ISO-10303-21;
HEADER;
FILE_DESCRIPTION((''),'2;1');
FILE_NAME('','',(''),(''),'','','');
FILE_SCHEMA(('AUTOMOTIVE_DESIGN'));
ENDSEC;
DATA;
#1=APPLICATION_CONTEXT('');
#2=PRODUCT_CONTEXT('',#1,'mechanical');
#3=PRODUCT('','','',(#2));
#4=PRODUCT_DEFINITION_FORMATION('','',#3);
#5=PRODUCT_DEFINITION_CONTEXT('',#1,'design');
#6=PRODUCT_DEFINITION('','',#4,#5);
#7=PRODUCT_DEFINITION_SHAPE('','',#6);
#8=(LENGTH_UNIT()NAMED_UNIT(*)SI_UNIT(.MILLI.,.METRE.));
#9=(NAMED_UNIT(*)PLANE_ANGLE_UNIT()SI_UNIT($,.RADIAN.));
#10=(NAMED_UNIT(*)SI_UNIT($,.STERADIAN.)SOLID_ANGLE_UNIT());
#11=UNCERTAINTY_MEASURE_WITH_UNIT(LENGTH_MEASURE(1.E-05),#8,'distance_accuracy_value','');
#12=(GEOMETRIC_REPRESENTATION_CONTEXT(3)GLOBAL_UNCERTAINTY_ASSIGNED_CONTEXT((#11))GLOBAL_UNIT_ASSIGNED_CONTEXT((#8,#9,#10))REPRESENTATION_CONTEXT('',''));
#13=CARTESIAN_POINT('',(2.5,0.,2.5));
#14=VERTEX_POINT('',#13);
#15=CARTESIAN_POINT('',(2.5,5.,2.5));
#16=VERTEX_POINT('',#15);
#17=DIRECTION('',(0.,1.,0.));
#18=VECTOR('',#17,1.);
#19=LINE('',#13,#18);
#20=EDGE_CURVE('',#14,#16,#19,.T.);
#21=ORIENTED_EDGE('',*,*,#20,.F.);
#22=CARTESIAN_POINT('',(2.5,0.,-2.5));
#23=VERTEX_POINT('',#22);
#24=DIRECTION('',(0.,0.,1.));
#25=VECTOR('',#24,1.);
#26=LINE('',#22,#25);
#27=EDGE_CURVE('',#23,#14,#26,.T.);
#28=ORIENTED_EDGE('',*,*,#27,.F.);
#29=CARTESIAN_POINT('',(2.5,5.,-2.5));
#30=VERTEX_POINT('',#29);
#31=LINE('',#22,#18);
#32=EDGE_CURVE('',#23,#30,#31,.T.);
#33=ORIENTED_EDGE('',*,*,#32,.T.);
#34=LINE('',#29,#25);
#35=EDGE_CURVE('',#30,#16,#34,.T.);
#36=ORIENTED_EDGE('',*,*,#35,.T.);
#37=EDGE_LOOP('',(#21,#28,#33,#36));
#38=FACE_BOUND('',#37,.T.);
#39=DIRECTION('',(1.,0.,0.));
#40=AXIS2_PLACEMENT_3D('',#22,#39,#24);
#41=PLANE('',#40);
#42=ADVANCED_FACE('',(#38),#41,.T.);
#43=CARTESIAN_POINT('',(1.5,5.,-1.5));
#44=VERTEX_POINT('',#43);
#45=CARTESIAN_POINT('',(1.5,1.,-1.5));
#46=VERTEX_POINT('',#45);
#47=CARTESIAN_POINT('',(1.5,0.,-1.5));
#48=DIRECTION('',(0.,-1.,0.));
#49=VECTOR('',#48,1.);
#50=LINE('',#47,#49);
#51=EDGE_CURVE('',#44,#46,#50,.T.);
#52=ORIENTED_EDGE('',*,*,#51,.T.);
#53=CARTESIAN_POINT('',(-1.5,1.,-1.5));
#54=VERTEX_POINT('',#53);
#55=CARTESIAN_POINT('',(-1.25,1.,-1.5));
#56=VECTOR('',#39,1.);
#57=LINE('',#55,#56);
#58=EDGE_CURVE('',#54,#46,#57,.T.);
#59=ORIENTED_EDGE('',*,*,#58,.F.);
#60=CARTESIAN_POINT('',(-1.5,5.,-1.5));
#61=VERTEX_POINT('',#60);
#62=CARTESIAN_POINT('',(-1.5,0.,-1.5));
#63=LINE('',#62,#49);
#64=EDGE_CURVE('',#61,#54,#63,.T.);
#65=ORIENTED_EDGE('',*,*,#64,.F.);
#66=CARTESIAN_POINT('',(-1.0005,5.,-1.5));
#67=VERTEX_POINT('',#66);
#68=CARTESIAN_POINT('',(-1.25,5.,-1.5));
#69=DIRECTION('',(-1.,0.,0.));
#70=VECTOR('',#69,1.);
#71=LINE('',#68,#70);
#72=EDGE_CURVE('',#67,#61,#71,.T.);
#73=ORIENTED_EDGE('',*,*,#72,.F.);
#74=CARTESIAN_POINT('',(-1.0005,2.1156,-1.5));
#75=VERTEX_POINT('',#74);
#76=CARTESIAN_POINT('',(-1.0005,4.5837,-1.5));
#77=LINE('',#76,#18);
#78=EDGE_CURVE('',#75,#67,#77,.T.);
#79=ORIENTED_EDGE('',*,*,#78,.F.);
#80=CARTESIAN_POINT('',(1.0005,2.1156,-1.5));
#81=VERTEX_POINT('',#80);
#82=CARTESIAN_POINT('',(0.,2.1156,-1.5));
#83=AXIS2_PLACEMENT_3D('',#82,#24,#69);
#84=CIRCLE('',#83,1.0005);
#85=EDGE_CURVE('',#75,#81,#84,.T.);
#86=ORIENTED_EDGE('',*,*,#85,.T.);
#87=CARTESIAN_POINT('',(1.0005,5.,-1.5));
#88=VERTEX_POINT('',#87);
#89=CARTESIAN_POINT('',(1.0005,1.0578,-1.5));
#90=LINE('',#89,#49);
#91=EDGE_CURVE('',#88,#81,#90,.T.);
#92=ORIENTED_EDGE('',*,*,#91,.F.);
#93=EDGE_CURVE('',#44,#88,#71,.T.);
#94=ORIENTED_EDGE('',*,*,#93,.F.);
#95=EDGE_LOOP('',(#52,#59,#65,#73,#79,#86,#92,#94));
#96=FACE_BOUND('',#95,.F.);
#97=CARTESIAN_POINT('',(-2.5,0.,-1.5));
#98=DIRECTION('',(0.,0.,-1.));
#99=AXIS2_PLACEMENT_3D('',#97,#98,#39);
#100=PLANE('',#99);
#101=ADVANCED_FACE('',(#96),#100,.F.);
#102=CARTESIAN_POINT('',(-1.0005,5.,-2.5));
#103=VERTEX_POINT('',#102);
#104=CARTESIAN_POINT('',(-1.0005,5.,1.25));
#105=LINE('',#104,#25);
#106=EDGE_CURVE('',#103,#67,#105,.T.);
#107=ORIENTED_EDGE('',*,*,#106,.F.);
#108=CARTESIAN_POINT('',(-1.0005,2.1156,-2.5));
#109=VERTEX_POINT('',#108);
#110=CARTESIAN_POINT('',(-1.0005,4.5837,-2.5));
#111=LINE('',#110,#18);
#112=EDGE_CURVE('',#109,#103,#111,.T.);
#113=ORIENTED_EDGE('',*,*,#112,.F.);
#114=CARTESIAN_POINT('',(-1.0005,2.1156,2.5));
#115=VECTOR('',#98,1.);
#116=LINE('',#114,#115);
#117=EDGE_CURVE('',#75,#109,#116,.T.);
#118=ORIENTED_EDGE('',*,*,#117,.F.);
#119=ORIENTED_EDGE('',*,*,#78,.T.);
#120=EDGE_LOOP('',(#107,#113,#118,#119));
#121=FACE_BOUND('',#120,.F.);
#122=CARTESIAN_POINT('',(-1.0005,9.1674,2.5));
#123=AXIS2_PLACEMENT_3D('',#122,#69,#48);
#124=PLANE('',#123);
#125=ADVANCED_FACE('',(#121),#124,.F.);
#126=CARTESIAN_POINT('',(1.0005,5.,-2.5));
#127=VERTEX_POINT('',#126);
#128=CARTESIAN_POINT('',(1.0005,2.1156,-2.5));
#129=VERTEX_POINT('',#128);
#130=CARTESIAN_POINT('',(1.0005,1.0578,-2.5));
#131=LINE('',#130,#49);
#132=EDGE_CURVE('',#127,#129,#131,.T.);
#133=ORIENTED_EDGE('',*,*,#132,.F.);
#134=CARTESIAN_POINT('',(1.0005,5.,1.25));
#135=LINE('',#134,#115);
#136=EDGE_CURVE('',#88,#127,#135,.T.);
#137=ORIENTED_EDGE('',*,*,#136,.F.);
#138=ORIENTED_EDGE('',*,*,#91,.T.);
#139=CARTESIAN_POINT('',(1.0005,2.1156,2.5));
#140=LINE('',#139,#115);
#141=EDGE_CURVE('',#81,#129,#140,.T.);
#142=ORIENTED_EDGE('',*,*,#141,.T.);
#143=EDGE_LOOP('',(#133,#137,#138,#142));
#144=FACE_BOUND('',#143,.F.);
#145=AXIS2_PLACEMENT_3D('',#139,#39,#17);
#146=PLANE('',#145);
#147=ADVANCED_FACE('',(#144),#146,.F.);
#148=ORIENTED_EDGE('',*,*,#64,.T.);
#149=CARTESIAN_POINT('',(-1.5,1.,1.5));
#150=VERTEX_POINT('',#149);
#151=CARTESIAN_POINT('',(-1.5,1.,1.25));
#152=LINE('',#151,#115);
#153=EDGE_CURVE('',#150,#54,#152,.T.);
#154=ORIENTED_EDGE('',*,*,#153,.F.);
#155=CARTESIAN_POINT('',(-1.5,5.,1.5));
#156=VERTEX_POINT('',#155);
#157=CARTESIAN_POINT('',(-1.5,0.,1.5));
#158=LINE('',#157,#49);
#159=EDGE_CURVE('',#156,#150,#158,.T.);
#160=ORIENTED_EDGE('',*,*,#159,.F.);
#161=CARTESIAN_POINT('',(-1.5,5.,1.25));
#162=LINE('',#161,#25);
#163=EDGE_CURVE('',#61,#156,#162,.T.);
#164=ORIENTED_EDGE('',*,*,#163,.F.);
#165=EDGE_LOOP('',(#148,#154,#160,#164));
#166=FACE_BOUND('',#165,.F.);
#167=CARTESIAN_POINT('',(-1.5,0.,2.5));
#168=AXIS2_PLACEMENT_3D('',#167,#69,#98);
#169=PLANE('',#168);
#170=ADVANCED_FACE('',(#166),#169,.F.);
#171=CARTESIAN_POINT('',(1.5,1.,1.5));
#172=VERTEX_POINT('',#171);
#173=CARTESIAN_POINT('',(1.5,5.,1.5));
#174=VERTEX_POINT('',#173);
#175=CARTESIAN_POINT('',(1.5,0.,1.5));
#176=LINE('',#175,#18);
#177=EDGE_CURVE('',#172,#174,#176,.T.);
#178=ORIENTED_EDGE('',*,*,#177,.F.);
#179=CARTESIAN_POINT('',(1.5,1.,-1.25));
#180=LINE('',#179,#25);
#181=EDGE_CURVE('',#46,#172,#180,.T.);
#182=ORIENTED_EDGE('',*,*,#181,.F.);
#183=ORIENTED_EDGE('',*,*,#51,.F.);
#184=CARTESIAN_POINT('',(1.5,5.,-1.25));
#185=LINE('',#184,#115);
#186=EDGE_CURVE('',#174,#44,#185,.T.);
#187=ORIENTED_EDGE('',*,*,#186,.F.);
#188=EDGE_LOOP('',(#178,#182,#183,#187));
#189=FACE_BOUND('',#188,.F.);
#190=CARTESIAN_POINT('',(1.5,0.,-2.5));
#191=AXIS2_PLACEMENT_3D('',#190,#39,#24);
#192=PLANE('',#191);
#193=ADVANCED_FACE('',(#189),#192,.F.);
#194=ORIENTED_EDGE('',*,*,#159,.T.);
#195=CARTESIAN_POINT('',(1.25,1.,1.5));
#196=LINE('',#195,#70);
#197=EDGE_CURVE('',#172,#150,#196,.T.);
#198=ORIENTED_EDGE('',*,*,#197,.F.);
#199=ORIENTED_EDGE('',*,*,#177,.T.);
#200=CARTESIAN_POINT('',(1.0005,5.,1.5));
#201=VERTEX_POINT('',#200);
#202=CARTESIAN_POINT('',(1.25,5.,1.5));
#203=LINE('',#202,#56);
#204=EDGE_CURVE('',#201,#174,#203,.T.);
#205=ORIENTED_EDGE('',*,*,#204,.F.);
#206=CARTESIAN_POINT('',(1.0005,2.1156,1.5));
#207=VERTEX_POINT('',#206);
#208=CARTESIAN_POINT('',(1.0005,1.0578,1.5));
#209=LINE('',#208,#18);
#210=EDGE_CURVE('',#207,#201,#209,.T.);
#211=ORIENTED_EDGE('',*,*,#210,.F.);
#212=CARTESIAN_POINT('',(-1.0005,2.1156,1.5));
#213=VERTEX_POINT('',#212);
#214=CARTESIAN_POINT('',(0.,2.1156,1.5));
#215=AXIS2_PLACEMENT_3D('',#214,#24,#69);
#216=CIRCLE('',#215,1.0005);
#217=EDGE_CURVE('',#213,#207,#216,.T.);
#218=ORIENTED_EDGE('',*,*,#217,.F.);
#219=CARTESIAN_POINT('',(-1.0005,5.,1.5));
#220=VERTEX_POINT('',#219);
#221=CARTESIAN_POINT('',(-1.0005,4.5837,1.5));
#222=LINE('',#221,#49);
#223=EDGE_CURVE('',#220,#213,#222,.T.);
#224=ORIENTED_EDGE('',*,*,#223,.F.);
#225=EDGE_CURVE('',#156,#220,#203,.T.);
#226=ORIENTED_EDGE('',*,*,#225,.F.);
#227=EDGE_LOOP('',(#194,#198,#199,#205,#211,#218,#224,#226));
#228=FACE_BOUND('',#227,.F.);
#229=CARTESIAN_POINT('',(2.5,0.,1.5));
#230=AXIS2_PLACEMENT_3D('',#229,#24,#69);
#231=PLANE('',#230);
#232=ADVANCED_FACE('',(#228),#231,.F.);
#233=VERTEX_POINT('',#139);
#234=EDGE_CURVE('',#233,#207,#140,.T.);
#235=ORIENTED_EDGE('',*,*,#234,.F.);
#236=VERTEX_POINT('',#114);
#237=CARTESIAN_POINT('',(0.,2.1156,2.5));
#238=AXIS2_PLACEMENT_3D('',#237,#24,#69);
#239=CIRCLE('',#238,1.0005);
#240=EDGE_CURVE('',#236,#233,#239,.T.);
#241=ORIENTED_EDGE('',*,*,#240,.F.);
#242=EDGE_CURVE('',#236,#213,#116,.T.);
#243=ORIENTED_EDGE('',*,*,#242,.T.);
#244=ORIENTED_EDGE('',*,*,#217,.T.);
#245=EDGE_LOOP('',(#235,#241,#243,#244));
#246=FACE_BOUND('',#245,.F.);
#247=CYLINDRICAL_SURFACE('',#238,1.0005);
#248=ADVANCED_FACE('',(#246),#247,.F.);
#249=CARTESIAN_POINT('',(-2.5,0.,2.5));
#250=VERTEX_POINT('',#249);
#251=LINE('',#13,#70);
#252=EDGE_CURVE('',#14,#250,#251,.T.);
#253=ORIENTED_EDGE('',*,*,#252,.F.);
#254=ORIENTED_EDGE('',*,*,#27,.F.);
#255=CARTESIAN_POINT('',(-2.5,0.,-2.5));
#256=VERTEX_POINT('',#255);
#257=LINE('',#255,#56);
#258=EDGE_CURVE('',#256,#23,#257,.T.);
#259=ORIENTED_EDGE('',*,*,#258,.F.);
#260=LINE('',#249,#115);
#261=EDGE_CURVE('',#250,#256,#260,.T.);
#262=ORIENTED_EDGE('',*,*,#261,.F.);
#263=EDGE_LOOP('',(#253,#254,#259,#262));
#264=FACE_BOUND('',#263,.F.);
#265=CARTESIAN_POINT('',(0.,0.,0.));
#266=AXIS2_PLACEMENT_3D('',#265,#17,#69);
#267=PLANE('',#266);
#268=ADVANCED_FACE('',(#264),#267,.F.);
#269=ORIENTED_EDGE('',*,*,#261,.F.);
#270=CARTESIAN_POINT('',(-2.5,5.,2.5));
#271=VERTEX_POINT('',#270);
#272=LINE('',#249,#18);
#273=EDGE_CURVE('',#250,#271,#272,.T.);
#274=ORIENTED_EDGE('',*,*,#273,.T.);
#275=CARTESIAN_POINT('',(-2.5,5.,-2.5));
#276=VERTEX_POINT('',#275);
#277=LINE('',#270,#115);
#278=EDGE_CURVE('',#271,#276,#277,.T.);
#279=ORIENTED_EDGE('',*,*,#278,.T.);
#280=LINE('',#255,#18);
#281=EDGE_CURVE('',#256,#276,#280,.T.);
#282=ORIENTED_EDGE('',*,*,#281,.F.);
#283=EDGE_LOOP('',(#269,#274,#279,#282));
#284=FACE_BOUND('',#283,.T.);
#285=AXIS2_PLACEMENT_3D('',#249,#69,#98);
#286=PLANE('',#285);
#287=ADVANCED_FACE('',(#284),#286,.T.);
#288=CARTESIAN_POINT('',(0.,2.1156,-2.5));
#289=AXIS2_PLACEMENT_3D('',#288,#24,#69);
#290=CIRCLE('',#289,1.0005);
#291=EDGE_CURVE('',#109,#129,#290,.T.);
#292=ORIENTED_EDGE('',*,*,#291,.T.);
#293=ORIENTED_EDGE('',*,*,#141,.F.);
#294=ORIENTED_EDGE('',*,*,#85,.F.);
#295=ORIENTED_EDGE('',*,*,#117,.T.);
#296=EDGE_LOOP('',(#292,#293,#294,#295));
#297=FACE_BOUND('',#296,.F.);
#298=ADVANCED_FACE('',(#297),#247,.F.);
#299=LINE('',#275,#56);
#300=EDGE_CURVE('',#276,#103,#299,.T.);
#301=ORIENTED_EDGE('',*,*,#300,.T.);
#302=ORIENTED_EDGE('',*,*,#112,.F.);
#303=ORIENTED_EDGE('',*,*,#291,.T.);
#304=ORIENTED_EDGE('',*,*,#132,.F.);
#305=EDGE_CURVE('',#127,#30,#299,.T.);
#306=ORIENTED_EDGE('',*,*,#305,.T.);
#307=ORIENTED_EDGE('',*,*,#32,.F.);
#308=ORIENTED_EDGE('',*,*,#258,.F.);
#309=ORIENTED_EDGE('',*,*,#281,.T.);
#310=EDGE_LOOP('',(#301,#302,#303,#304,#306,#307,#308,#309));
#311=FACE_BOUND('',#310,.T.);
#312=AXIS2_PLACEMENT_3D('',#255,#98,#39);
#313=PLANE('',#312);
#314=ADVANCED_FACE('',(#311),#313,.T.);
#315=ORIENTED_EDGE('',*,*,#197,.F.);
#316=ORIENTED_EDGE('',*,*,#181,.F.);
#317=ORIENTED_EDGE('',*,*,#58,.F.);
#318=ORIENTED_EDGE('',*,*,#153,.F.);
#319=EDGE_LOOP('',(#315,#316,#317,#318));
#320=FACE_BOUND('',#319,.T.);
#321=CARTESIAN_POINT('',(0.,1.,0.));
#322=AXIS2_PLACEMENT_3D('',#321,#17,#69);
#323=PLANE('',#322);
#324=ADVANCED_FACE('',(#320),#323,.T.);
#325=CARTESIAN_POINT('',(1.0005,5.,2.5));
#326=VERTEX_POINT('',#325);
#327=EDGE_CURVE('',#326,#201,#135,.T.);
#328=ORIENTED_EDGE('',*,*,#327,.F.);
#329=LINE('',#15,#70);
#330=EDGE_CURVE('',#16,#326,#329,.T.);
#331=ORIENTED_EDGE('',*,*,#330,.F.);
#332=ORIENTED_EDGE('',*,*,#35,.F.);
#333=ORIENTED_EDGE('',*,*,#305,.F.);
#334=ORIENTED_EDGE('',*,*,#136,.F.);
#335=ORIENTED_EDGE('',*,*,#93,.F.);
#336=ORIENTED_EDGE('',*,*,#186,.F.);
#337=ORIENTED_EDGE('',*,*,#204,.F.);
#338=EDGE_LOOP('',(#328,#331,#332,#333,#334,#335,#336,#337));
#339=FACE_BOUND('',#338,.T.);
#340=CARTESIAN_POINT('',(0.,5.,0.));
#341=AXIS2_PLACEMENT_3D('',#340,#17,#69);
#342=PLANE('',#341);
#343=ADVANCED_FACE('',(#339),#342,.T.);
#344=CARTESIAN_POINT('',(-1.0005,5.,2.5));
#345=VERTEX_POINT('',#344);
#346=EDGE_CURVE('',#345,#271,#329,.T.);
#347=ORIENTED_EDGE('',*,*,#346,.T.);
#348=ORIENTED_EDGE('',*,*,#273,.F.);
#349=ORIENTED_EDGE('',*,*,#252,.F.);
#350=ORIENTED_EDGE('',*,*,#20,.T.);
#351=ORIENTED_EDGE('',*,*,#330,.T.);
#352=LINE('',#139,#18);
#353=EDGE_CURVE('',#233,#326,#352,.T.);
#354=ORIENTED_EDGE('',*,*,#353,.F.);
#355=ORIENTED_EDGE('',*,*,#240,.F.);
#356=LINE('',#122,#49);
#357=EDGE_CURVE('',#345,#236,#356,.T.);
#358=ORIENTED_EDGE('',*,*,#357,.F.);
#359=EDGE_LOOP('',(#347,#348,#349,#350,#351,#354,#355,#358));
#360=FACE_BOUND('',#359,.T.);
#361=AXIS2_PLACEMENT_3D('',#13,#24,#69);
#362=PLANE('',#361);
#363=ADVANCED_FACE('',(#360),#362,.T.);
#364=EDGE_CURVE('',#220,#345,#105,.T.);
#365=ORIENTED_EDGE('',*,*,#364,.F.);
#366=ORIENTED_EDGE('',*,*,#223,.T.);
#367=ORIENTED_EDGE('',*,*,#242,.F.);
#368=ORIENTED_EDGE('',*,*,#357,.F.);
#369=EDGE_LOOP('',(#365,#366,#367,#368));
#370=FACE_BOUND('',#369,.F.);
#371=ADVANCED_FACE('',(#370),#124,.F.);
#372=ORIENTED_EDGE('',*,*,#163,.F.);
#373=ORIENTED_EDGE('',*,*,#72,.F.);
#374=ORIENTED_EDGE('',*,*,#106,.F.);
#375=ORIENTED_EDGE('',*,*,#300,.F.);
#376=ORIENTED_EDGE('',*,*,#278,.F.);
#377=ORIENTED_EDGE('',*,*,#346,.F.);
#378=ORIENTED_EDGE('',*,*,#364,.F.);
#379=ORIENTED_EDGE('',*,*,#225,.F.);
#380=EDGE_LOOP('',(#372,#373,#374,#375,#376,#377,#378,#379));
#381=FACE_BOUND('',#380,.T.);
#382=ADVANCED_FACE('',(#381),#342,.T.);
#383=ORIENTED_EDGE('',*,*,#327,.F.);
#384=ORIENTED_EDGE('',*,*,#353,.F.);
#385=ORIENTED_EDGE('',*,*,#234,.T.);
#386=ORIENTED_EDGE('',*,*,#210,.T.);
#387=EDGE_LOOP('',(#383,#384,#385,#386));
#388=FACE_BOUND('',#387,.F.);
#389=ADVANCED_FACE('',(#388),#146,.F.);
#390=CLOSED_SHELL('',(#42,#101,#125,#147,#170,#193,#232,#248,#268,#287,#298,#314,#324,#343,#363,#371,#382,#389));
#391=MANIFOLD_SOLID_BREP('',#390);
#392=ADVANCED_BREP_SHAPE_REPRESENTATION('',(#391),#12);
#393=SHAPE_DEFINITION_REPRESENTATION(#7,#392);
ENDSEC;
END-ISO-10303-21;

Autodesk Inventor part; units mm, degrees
ref_plane "YZ Plane" through (0, 0, 0) normal (1, 0, 0) x (0, 1, 0)
ref_plane "XZ Plane" through (0, 0, 0) normal (0, 1, 0) x (-1, 0, 0)
ref_plane "XY Plane" through (0, 0, 0) normal (0, 0, 1) x (1, 0, 0)
sketch "Sketch1" plane through (0, 0, 0) normal (0, 1, 0) x (-1, 0, 0)
  line L0 (-2.5, 2.5) -> (2.5, 2.5)
  line L1 (2.5, 2.5) -> (2.5, -2.5)
  line L2 (2.5, -2.5) -> (-2.5, -2.5)
  line L3 (-2.5, -2.5) -> (-2.5, 2.5)
  line L4 (-2.5, 2.5) -> (2.5, -2.5) construction
  line L5 (2.5, 2.5) -> (-2.5, -2.5) construction
  point P0 (0, 0)
  dimension "d0" = 5
  dimension "d1" = 5
extrude "Extrusion1" add sketch "Sketch1" along normal blind 5
shell "Shell1" thickness 1 removed faces 1 at (-0.8333, 5, -0.8333)
sketch "Sketch3" plane through (-2.5, 0, 2.5) normal (0, 0, 1) x (1, 0, 0)
  line L0 (2.5, 9.1674) -> (2.5, 2.1156) construction
  line L1 (1.4995, 9.1674) -> (1.4995, 2.1156)
  line L2 (3.5005, 2.1156) -> (3.5005, 9.1674)
  arc A0 (3.5005, 9.1674) -> (1.4995, 9.1674) centre (2.5, 9.1674) ccw
  arc A1 (1.4995, 2.1156) -> (3.5005, 2.1156) centre (2.5, 2.1156) ccw
  point P0 (2.5, 0)
  point P1 (2.5, 5.6415)
extrude "Extrusion3" cut sketch "Sketch3" against normal through all
sketch "Sketch4" plane through (0, 5, 0) normal (0, 1, 0) x (1, 0, 0)
  point P0 (0, 0)
sketch "Sketch5" plane through (0, 5, 0) normal (0, 1, 0) x (1, 0, 0)
  point P0 (0, 0)
sketch "Sketch6" plane through (0, 5, 0) normal (0, 1, 0) x (1, 0, 0)
  point P0 (0, 0)
sketch "Sketch7" plane through (0, 0, 0) normal (0, -1, 0) x (1, 0, 0)
  point P0 (0, 0)
sketch "Sketch8" plane through (-2.5, 0, -2.5) normal (-1, 0, 0) x (0, 0, 1)
  point P0 (2.5, 0)
properties part number "snapfit_v10"
